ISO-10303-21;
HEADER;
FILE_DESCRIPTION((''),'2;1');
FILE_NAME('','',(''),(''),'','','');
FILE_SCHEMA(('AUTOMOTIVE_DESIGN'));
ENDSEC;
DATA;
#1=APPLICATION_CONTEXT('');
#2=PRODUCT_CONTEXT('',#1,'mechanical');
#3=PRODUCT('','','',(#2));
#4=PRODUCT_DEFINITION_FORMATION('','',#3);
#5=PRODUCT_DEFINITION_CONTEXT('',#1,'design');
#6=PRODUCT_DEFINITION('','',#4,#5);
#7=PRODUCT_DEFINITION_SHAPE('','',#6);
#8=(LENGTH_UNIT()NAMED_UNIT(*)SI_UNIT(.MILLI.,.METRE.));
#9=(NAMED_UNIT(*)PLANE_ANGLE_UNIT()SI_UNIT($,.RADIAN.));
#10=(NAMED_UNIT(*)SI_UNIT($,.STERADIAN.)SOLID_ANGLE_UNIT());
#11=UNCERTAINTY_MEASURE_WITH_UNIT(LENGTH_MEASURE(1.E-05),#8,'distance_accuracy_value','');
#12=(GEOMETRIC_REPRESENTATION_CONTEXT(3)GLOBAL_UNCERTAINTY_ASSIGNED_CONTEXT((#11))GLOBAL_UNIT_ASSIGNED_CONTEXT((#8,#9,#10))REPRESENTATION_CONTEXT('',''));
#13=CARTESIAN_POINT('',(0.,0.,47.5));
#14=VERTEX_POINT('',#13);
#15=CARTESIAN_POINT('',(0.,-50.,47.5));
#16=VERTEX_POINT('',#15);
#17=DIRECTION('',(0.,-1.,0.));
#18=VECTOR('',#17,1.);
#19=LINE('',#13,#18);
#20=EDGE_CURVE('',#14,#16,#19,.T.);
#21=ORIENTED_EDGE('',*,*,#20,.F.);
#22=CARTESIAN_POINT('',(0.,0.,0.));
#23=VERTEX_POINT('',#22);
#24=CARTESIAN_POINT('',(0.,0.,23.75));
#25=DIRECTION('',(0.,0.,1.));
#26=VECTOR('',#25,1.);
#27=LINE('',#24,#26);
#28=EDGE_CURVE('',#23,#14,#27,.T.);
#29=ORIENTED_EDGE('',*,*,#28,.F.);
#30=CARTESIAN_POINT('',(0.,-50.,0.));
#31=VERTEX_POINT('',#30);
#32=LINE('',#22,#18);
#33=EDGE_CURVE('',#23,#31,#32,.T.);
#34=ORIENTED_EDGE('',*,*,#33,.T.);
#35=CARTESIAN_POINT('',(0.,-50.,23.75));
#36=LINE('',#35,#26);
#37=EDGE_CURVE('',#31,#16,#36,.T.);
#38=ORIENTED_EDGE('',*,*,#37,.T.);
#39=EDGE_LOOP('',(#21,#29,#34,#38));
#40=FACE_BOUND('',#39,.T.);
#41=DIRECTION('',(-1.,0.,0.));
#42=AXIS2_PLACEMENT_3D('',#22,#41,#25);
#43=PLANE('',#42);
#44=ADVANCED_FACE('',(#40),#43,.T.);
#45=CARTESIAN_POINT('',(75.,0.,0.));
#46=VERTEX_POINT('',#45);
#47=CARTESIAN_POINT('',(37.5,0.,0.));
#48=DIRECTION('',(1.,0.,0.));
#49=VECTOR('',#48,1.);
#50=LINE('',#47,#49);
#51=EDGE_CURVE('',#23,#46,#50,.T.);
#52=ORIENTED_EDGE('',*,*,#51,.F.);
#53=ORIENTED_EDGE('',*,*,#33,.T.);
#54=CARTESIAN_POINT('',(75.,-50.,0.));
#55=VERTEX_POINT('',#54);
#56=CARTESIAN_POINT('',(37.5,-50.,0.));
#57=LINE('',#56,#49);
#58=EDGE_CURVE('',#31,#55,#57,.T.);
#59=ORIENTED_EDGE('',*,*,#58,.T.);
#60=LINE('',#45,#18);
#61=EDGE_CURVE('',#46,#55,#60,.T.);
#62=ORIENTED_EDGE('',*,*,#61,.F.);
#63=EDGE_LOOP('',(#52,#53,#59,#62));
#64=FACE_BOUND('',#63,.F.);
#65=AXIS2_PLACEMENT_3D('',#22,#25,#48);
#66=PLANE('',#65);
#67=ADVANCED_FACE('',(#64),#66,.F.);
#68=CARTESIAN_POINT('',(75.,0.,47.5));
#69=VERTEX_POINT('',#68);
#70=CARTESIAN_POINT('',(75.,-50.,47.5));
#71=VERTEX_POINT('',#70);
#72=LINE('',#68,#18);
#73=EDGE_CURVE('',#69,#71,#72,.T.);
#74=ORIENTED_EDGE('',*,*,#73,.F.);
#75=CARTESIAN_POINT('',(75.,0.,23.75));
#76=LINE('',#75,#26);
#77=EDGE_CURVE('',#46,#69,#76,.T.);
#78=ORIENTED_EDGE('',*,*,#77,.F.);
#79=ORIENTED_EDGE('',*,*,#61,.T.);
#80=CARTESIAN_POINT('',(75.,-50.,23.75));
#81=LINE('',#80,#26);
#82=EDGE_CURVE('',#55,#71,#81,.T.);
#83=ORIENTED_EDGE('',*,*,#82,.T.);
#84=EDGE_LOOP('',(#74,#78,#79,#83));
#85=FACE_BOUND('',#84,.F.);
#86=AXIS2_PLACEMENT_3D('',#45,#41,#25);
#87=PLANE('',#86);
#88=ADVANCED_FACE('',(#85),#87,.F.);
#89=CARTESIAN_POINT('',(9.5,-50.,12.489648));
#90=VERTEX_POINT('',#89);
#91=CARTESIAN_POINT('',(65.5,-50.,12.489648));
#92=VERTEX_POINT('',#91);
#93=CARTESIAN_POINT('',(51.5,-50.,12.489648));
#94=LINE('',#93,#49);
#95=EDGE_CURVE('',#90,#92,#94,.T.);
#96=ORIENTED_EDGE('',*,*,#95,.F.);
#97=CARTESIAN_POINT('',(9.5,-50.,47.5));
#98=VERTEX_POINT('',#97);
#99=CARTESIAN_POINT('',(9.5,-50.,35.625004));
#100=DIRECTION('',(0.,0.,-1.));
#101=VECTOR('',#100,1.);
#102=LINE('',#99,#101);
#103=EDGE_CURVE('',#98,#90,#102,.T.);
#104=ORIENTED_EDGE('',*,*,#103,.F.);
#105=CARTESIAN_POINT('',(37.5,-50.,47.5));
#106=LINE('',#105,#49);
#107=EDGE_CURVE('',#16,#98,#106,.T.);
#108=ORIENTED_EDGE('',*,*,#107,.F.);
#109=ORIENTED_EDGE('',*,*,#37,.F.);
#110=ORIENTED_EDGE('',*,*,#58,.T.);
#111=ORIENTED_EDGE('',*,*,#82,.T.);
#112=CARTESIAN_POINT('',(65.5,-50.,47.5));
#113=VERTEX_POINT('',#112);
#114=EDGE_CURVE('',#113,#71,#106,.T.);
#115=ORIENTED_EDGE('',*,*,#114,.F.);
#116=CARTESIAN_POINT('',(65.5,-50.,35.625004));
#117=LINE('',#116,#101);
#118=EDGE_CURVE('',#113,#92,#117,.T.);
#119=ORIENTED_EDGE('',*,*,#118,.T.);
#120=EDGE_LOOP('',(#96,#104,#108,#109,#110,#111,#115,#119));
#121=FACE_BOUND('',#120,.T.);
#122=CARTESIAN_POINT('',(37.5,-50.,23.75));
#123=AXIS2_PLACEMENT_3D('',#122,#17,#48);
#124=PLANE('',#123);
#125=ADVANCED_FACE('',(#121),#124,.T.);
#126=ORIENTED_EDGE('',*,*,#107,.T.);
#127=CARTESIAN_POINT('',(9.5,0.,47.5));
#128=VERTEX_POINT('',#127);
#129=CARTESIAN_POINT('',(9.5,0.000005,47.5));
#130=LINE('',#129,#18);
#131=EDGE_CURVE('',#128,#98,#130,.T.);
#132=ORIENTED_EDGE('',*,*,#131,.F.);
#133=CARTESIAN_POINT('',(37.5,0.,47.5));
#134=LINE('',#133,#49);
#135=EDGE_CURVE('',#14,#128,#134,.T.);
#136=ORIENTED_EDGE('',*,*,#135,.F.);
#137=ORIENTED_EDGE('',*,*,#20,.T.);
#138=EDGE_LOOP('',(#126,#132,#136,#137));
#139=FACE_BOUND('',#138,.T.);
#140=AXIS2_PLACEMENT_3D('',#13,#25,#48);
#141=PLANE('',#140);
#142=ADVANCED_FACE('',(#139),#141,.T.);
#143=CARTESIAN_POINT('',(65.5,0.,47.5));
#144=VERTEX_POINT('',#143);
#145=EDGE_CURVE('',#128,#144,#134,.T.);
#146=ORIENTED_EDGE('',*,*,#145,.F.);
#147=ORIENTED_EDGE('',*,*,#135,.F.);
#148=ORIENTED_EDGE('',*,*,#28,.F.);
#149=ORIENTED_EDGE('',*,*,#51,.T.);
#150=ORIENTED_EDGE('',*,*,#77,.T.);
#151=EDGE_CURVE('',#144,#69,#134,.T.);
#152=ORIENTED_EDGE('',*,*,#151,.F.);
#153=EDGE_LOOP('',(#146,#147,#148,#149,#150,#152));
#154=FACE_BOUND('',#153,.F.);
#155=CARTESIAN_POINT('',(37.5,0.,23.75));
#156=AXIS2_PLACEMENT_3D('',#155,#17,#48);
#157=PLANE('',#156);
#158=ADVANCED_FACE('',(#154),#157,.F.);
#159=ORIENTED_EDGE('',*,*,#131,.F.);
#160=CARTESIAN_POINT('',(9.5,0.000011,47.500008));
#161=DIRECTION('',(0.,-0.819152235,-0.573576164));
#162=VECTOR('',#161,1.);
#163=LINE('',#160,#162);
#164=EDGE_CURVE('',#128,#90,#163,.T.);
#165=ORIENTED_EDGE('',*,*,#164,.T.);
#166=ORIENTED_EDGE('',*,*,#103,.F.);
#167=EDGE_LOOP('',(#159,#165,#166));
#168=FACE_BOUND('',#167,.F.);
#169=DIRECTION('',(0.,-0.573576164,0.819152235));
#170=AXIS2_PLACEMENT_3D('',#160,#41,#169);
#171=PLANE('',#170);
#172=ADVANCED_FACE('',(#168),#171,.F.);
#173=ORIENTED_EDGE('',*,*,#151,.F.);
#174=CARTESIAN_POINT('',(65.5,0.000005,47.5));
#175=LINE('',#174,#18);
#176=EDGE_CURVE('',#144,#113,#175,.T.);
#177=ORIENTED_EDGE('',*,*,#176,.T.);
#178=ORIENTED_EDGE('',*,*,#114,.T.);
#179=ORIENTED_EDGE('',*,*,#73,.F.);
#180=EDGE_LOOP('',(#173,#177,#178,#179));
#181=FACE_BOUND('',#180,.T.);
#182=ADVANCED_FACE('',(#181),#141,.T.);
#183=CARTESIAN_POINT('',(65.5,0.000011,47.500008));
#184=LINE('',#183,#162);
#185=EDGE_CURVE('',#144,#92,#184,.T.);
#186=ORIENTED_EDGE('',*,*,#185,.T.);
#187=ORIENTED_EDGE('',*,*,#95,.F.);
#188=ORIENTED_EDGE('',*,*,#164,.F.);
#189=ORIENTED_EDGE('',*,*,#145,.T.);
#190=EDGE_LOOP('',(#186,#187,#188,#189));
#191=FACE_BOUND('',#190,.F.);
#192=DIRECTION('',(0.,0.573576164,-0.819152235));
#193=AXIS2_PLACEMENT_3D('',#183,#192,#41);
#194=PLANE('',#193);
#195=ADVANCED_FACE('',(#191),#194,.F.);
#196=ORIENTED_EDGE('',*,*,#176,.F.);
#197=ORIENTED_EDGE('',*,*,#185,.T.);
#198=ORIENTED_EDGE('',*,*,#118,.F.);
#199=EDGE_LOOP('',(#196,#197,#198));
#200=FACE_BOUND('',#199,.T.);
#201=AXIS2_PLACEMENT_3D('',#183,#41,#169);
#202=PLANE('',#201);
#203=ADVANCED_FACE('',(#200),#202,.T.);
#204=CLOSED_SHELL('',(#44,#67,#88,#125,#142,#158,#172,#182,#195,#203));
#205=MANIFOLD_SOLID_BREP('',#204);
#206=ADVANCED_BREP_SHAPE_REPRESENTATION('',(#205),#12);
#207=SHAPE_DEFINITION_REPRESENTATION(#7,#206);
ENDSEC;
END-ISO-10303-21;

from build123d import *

# Parameters (mm, degrees)
F0_W     = 75
F0_H     = 47.5
F1_DEPTH = 50
F3_W     = 56
F3_H     = 40
F4_DEPTH = 68.203483


with BuildPart() as f1:
    # F0 (on Front) → F1 (new body)
    with BuildSketch(Plane.XZ):
        with Locations((37.5, 23.75)):
            Rectangle(F0_W, F0_H)
    extrude(amount=F1_DEPTH)

    # F3 (on face) → F4 (cut, through all)
    with BuildSketch(Plane(origin=(0, 22.3177, 15.627022), x_dir=(-1, 0, 0), z_dir=(0, 0.819152, 0.573576))):
        with Locations((-37.5, 58.909722)):
            Rectangle(F3_W, F3_H)
    extrude(amount=-F4_DEPTH, mode=Mode.SUBTRACT)


solid = f1.part
